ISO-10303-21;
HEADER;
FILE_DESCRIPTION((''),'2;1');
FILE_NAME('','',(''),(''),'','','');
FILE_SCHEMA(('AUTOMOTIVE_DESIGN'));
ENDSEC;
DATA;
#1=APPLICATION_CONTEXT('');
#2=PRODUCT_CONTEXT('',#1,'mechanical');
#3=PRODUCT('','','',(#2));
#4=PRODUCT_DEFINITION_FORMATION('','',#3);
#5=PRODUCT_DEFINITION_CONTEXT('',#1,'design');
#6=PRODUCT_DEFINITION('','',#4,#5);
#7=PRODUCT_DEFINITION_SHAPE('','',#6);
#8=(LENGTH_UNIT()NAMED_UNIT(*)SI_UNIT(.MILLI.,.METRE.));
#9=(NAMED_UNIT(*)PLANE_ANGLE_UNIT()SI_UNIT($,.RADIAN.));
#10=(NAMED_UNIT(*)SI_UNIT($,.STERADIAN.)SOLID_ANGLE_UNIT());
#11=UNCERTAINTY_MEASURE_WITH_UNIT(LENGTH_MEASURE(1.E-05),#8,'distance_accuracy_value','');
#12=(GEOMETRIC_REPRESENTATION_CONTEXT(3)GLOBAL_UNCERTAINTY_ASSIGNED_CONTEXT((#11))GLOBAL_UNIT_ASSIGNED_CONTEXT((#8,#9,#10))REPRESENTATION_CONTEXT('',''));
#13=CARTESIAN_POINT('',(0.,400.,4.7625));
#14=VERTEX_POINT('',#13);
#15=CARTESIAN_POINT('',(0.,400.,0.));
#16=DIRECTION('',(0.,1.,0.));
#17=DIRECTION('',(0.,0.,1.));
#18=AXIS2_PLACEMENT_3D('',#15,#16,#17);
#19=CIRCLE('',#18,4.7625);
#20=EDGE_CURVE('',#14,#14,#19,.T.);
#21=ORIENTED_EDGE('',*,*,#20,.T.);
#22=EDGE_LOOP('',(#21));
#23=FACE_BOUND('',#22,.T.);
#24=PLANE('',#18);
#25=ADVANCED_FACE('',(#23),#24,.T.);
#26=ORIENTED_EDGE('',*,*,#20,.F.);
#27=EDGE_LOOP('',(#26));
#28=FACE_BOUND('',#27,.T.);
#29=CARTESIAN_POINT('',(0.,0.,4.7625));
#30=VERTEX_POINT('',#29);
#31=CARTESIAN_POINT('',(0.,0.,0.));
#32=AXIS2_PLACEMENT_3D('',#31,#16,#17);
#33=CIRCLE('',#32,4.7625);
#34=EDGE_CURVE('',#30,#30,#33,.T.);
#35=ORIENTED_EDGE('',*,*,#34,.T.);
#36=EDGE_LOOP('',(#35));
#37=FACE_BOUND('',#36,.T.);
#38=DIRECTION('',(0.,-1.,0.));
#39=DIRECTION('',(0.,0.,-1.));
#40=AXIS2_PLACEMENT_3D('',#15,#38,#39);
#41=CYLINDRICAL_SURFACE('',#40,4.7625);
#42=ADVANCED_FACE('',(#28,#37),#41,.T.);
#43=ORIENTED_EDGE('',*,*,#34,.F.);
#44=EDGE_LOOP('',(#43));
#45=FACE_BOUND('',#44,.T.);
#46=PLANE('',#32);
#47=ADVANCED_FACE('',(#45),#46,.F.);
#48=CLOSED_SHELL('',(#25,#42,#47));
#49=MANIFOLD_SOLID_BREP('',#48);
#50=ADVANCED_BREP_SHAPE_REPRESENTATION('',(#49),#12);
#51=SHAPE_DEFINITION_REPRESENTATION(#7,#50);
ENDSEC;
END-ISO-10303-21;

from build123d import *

# Parameters (mm, degrees)
SKETCH1_R           = 4.7625
BOSS_EXTRUDE1_DEPTH = 400


with BuildPart() as part:
    # Sketch1 → Boss-Extrude1 (new body)
    with BuildSketch(Plane(origin=(0, 0, 0), x_dir=(1, 0, 0), z_dir=(0, 1, 0))):
        Circle(SKETCH1_R)
    extrude(amount=BOSS_EXTRUDE1_DEPTH)


solid = part.part
